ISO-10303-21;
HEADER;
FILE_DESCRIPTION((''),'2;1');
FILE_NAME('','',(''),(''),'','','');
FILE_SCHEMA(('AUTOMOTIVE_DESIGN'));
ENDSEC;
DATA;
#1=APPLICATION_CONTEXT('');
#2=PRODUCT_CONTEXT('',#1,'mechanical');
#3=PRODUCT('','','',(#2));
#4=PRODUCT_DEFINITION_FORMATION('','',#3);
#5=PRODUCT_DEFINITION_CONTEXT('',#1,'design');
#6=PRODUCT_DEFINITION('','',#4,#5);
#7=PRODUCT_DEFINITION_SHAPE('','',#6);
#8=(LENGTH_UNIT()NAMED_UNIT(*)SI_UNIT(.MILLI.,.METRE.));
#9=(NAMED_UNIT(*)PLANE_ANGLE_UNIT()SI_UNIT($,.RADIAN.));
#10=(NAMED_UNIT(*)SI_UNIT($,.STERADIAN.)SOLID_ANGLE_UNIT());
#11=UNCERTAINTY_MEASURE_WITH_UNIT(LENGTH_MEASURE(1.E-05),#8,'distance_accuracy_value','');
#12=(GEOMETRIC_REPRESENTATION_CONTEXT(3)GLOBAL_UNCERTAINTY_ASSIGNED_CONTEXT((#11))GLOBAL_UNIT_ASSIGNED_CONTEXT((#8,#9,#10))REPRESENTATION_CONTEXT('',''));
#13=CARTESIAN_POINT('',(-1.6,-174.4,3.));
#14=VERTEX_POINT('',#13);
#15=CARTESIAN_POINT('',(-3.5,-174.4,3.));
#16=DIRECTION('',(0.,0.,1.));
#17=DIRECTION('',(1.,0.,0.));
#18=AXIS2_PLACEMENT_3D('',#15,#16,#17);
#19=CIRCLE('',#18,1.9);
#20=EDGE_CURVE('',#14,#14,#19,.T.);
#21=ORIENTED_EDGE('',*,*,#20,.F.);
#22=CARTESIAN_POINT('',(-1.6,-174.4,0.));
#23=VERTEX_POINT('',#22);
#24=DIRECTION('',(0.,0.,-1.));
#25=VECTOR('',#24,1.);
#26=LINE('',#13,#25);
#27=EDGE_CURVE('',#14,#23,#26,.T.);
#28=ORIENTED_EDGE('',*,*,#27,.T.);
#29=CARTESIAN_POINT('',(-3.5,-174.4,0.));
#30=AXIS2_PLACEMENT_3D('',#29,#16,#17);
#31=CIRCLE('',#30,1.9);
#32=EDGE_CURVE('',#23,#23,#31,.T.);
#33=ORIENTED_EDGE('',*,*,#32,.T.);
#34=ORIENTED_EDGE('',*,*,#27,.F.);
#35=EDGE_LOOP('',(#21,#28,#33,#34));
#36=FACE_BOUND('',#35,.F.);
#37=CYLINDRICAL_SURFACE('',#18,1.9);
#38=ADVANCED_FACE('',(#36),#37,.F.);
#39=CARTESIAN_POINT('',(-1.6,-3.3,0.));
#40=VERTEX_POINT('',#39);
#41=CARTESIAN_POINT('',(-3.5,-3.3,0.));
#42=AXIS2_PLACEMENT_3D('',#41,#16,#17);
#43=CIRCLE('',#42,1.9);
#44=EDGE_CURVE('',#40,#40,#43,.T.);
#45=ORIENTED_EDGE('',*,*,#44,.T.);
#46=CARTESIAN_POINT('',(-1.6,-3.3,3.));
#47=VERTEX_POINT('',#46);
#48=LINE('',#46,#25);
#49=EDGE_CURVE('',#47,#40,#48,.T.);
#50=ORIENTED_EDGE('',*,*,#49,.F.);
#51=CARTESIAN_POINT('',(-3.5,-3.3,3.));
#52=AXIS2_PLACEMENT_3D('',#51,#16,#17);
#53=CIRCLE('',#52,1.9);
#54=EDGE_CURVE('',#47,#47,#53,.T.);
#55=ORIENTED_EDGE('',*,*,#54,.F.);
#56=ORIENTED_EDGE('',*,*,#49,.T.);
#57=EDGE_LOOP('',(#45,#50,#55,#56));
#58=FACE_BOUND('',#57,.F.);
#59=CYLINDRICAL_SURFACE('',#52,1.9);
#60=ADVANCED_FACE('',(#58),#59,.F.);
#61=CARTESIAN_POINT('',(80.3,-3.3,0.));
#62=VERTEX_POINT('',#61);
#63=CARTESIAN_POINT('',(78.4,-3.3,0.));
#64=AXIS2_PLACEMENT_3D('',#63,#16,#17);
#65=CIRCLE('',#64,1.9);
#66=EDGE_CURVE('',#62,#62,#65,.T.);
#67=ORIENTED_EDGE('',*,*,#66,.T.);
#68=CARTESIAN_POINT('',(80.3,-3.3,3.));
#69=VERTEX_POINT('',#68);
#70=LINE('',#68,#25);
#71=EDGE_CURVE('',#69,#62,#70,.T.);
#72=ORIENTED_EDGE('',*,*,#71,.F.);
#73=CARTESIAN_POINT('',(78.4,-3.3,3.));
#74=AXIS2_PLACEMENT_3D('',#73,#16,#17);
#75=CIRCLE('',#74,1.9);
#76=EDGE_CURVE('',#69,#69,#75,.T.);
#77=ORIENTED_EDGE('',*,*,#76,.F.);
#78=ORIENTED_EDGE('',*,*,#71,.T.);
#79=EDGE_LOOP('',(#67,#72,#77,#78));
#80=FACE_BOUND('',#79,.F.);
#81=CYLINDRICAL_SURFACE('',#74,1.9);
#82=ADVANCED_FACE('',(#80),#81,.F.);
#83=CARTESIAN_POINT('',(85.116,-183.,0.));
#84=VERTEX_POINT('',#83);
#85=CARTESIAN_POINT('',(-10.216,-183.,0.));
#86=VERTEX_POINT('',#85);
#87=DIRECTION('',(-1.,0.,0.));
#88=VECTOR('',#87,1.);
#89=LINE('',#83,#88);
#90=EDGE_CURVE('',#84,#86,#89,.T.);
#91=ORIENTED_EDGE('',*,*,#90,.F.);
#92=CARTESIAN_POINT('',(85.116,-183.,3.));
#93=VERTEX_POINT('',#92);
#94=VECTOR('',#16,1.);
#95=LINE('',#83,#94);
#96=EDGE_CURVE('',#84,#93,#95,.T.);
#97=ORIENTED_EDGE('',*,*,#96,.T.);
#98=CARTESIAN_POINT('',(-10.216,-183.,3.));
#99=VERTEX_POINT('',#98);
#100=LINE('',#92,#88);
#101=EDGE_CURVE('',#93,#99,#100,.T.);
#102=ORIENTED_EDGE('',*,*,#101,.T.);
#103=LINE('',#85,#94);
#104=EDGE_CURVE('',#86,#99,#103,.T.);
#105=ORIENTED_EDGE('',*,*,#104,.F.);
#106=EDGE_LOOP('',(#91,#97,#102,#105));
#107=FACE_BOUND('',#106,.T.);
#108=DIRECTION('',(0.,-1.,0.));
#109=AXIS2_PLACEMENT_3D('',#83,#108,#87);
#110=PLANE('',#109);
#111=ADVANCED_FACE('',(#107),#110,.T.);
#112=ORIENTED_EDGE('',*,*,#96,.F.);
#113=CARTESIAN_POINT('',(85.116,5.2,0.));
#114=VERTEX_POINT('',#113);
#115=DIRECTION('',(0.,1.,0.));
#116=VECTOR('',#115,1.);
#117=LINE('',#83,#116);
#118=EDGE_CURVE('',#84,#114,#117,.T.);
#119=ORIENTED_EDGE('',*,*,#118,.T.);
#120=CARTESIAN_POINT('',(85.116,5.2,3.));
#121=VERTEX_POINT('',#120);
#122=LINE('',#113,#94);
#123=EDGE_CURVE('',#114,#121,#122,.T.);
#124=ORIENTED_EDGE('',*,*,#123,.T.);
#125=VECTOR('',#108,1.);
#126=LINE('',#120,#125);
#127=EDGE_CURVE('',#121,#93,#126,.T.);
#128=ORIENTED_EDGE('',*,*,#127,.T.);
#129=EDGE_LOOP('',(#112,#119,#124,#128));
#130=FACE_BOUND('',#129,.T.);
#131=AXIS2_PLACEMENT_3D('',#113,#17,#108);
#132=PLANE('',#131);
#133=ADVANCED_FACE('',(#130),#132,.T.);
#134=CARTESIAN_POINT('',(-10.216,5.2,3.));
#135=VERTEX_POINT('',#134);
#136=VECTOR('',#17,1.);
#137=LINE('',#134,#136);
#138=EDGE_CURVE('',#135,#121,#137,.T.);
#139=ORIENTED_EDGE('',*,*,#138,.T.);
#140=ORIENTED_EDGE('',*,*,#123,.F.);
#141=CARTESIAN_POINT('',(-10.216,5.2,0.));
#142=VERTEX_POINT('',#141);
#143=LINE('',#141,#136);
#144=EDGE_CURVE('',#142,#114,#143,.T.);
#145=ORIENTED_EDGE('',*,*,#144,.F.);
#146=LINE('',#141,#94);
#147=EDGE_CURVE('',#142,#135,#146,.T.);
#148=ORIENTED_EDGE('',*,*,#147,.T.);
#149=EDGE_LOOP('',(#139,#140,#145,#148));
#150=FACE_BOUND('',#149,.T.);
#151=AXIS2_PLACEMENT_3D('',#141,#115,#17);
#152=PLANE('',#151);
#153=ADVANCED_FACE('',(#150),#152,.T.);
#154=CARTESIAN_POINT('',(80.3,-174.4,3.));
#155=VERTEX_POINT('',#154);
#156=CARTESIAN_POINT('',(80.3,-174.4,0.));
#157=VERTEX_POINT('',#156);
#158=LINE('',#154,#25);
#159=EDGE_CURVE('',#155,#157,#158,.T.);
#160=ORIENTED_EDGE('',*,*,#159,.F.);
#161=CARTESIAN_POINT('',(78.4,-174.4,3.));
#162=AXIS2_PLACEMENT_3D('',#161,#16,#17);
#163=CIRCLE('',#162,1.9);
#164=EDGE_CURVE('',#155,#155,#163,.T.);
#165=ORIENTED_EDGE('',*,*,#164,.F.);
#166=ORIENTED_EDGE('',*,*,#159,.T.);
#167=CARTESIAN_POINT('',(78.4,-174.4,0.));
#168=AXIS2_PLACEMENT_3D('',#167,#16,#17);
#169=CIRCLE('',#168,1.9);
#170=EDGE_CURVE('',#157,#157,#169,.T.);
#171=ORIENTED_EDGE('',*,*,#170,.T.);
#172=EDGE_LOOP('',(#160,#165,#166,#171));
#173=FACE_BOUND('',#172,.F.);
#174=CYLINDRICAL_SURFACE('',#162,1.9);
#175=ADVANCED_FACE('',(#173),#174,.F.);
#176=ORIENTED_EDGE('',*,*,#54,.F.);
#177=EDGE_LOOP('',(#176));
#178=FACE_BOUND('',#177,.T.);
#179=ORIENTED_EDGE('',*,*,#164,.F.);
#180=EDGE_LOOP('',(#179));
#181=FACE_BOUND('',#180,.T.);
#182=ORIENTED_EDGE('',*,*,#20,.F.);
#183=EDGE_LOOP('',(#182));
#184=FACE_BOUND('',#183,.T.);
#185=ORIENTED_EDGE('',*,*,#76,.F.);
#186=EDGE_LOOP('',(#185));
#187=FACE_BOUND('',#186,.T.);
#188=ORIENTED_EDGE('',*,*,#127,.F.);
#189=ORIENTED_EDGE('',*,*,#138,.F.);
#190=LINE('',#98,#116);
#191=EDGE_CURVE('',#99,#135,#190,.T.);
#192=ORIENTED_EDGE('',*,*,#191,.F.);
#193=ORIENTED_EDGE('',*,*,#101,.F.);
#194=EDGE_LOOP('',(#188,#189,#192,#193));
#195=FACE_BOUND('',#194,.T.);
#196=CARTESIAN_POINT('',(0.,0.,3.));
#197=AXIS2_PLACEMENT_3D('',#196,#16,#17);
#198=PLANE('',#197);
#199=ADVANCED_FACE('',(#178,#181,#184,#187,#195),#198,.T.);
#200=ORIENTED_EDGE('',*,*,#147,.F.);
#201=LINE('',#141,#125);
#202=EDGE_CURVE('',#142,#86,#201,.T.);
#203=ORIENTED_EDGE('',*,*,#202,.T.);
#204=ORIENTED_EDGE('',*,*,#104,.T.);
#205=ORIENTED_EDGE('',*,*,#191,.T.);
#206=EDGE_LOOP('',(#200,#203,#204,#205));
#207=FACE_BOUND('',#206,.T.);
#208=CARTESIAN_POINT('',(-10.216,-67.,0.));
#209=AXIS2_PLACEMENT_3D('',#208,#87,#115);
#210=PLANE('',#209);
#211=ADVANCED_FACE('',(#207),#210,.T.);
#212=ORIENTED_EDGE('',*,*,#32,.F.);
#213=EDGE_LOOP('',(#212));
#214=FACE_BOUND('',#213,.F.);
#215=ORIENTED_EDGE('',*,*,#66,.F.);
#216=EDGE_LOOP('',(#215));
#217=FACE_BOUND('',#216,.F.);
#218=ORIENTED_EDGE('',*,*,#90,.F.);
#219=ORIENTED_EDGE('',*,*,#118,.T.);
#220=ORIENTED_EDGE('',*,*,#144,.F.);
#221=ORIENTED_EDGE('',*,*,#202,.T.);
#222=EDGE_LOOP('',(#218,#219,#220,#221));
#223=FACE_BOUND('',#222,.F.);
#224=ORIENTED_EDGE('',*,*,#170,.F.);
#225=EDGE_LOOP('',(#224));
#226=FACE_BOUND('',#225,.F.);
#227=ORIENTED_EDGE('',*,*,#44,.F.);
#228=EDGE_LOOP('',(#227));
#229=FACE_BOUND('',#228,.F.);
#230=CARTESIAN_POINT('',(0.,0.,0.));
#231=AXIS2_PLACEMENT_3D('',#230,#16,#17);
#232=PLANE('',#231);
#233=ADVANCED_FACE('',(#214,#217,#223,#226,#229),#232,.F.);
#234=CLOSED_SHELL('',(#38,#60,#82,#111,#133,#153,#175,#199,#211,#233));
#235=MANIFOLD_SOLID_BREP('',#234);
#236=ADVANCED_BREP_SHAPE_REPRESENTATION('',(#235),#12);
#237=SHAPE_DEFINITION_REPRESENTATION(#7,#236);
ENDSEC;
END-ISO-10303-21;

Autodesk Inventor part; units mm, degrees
ref_plane "YZ Plane" through (0, 0, 0) normal (1, 0, 0) x (0, 1, 0)
ref_plane "XZ Plane" through (0, 0, 0) normal (0, 1, 0) x (-1, 0, 0)
ref_plane "XY Plane" through (0, 0, 0) normal (0, 0, 1) x (1, 0, 0)
ref_plane "Work Plane1" through (0, 0, 0) normal (0, 0, 1) x (1, 0, 0)
sketch "Sketch1" plane through (0, 0, 0) normal (0, 0, 1) x (1, 0, 0)
  line L0 (-10.216, 5.2) -> (85.116, 5.2)
  line L1 (85.116, 5.2) -> (85.116, -183)
  line L2 (85.116, -183) -> (-10.216, -183)
  line L3 (-10.216, -183) -> (-10.216, 5.2)
  line L4 (-8.95, -6.8) -> (0, -6.8)
  line L5 (-10.416, 5.4) -> (85.316, 5.4)
  circle A0 centre (78.4, -174.4) radius 1.9
  circle A1 centre (-3.5, -174.4) radius 1.9
  line L6 (85.316, -183.2) -> (85.316, -110.8)
  line L7 (85.316, -110.8) -> (83.85, -110.8)
  line L8 (74.9, -170.9) -> (74.9, -177.9)
  line L9 (83.85, -110.8) -> (83.85, -170.9)
  line L10 (83.85, -170.9) -> (74.9, -170.9)
  line L11 (0, -177.9) -> (74.9, -177.9)
  line L12 (0, -170.9) -> (0, -177.9)
  line L13 (0, -170.9) -> (-8.95, -170.9)
  line L14 (-8.95, -170.9) -> (-8.95, -110.8)
  line L15 (-8.95, -110.8) -> (-10.416, -110.8)
  line L16 (-10.416, -110.8) -> (-10.416, -183.2)
  line L17 (-10.416, -183.2) -> (85.316, -183.2)
  circle A2 centre (78.4, -174.4) radius 1.9
  circle A3 centre (-3.5, -174.4) radius 1.9
  line L18 (85.316, -183.2) -> (85.316, -110.8)
  line L19 (85.316, -110.8) -> (83.85, -110.8)
  line L20 (74.9, -170.9) -> (74.9, -177.9)
  line L21 (83.85, -110.8) -> (83.85, -170.9)
  line L22 (83.85, -170.9) -> (74.9, -170.9)
  line L23 (0, -177.9) -> (74.9, -177.9)
  line L24 (0, -170.9) -> (0, -177.9)
  line L25 (0, -170.9) -> (-8.95, -170.9)
  line L26 (-8.95, -170.9) -> (-8.95, -110.8)
  line L27 (-8.95, -110.8) -> (-10.416, -110.8)
  line L28 (-10.416, -110.8) -> (-10.416, -183.2)
  line L29 (-10.416, -183.2) -> (85.316, -183.2)
  line L30 (74.9, 0.2) -> (0, 0.2)
  line L31 (0, 0.2) -> (0, -6.8)
  line L32 (83.85, -6.8) -> (83.85, -67)
  line L33 (83.85, -67) -> (85.316, -67)
  line L34 (85.316, -67) -> (85.316, 5.4)
  line L35 (85.316, 5.4) -> (-10.416, 5.4)
  line L36 (-10.416, 5.4) -> (-10.416, -67)
  line L37 (-10.416, -67) -> (-8.95, -67)
  line L38 (-8.95, -67) -> (-8.95, -6.8)
  line L39 (-8.95, -6.8) -> (0, -6.8)
  line L40 (0, 0.2) -> (0, -6.8)
  line L41 (74.9, 0.2) -> (0, 0.2)
  line L42 (74.9, -6.8) -> (74.9, 0.2)
  line L43 (74.9, -6.8) -> (83.85, -6.8)
  circle A4 centre (78.4, -3.3) radius 1.9
  circle A5 centre (-3.5, -3.3) radius 1.9
  point P0 (0, 0)
extrude "Extrusion1" add sketch "Sketch1" along normal blind 3 contours L0 L1 L33 L32 L43 L42 L30 L31 L4 L38 L37 L3 | L37 L38 L4 L31 L30 L42 L43 L32 L33 L1 L7 L9 L10 L8 L11 L12 L13 L14 L15 L3 | L15 L14 L13 L12 L11 L8 L10 L9 L7 L1 L2 L3 | A0 | A1 | A4 | A5
sketch "Sketch2" plane through (0, 0, 3) normal (0, 0, 1) x (1, 0, 0)
  circle A0 centre (78.4, -3.3) radius 1.9 projected
  circle A1 centre (-3.5, -3.3) radius 1.9 projected
  circle A2 centre (78.4, -174.4) radius 1.9 projected
  circle A3 centre (-3.5, -174.4) radius 1.9 projected
  point P0 (0, 0)
extrude "Extrusion2" cut sketch "Sketch2" against normal blind 3
properties part number "BP_CoverPlateAcrylic" material "PMMA Plastic"
